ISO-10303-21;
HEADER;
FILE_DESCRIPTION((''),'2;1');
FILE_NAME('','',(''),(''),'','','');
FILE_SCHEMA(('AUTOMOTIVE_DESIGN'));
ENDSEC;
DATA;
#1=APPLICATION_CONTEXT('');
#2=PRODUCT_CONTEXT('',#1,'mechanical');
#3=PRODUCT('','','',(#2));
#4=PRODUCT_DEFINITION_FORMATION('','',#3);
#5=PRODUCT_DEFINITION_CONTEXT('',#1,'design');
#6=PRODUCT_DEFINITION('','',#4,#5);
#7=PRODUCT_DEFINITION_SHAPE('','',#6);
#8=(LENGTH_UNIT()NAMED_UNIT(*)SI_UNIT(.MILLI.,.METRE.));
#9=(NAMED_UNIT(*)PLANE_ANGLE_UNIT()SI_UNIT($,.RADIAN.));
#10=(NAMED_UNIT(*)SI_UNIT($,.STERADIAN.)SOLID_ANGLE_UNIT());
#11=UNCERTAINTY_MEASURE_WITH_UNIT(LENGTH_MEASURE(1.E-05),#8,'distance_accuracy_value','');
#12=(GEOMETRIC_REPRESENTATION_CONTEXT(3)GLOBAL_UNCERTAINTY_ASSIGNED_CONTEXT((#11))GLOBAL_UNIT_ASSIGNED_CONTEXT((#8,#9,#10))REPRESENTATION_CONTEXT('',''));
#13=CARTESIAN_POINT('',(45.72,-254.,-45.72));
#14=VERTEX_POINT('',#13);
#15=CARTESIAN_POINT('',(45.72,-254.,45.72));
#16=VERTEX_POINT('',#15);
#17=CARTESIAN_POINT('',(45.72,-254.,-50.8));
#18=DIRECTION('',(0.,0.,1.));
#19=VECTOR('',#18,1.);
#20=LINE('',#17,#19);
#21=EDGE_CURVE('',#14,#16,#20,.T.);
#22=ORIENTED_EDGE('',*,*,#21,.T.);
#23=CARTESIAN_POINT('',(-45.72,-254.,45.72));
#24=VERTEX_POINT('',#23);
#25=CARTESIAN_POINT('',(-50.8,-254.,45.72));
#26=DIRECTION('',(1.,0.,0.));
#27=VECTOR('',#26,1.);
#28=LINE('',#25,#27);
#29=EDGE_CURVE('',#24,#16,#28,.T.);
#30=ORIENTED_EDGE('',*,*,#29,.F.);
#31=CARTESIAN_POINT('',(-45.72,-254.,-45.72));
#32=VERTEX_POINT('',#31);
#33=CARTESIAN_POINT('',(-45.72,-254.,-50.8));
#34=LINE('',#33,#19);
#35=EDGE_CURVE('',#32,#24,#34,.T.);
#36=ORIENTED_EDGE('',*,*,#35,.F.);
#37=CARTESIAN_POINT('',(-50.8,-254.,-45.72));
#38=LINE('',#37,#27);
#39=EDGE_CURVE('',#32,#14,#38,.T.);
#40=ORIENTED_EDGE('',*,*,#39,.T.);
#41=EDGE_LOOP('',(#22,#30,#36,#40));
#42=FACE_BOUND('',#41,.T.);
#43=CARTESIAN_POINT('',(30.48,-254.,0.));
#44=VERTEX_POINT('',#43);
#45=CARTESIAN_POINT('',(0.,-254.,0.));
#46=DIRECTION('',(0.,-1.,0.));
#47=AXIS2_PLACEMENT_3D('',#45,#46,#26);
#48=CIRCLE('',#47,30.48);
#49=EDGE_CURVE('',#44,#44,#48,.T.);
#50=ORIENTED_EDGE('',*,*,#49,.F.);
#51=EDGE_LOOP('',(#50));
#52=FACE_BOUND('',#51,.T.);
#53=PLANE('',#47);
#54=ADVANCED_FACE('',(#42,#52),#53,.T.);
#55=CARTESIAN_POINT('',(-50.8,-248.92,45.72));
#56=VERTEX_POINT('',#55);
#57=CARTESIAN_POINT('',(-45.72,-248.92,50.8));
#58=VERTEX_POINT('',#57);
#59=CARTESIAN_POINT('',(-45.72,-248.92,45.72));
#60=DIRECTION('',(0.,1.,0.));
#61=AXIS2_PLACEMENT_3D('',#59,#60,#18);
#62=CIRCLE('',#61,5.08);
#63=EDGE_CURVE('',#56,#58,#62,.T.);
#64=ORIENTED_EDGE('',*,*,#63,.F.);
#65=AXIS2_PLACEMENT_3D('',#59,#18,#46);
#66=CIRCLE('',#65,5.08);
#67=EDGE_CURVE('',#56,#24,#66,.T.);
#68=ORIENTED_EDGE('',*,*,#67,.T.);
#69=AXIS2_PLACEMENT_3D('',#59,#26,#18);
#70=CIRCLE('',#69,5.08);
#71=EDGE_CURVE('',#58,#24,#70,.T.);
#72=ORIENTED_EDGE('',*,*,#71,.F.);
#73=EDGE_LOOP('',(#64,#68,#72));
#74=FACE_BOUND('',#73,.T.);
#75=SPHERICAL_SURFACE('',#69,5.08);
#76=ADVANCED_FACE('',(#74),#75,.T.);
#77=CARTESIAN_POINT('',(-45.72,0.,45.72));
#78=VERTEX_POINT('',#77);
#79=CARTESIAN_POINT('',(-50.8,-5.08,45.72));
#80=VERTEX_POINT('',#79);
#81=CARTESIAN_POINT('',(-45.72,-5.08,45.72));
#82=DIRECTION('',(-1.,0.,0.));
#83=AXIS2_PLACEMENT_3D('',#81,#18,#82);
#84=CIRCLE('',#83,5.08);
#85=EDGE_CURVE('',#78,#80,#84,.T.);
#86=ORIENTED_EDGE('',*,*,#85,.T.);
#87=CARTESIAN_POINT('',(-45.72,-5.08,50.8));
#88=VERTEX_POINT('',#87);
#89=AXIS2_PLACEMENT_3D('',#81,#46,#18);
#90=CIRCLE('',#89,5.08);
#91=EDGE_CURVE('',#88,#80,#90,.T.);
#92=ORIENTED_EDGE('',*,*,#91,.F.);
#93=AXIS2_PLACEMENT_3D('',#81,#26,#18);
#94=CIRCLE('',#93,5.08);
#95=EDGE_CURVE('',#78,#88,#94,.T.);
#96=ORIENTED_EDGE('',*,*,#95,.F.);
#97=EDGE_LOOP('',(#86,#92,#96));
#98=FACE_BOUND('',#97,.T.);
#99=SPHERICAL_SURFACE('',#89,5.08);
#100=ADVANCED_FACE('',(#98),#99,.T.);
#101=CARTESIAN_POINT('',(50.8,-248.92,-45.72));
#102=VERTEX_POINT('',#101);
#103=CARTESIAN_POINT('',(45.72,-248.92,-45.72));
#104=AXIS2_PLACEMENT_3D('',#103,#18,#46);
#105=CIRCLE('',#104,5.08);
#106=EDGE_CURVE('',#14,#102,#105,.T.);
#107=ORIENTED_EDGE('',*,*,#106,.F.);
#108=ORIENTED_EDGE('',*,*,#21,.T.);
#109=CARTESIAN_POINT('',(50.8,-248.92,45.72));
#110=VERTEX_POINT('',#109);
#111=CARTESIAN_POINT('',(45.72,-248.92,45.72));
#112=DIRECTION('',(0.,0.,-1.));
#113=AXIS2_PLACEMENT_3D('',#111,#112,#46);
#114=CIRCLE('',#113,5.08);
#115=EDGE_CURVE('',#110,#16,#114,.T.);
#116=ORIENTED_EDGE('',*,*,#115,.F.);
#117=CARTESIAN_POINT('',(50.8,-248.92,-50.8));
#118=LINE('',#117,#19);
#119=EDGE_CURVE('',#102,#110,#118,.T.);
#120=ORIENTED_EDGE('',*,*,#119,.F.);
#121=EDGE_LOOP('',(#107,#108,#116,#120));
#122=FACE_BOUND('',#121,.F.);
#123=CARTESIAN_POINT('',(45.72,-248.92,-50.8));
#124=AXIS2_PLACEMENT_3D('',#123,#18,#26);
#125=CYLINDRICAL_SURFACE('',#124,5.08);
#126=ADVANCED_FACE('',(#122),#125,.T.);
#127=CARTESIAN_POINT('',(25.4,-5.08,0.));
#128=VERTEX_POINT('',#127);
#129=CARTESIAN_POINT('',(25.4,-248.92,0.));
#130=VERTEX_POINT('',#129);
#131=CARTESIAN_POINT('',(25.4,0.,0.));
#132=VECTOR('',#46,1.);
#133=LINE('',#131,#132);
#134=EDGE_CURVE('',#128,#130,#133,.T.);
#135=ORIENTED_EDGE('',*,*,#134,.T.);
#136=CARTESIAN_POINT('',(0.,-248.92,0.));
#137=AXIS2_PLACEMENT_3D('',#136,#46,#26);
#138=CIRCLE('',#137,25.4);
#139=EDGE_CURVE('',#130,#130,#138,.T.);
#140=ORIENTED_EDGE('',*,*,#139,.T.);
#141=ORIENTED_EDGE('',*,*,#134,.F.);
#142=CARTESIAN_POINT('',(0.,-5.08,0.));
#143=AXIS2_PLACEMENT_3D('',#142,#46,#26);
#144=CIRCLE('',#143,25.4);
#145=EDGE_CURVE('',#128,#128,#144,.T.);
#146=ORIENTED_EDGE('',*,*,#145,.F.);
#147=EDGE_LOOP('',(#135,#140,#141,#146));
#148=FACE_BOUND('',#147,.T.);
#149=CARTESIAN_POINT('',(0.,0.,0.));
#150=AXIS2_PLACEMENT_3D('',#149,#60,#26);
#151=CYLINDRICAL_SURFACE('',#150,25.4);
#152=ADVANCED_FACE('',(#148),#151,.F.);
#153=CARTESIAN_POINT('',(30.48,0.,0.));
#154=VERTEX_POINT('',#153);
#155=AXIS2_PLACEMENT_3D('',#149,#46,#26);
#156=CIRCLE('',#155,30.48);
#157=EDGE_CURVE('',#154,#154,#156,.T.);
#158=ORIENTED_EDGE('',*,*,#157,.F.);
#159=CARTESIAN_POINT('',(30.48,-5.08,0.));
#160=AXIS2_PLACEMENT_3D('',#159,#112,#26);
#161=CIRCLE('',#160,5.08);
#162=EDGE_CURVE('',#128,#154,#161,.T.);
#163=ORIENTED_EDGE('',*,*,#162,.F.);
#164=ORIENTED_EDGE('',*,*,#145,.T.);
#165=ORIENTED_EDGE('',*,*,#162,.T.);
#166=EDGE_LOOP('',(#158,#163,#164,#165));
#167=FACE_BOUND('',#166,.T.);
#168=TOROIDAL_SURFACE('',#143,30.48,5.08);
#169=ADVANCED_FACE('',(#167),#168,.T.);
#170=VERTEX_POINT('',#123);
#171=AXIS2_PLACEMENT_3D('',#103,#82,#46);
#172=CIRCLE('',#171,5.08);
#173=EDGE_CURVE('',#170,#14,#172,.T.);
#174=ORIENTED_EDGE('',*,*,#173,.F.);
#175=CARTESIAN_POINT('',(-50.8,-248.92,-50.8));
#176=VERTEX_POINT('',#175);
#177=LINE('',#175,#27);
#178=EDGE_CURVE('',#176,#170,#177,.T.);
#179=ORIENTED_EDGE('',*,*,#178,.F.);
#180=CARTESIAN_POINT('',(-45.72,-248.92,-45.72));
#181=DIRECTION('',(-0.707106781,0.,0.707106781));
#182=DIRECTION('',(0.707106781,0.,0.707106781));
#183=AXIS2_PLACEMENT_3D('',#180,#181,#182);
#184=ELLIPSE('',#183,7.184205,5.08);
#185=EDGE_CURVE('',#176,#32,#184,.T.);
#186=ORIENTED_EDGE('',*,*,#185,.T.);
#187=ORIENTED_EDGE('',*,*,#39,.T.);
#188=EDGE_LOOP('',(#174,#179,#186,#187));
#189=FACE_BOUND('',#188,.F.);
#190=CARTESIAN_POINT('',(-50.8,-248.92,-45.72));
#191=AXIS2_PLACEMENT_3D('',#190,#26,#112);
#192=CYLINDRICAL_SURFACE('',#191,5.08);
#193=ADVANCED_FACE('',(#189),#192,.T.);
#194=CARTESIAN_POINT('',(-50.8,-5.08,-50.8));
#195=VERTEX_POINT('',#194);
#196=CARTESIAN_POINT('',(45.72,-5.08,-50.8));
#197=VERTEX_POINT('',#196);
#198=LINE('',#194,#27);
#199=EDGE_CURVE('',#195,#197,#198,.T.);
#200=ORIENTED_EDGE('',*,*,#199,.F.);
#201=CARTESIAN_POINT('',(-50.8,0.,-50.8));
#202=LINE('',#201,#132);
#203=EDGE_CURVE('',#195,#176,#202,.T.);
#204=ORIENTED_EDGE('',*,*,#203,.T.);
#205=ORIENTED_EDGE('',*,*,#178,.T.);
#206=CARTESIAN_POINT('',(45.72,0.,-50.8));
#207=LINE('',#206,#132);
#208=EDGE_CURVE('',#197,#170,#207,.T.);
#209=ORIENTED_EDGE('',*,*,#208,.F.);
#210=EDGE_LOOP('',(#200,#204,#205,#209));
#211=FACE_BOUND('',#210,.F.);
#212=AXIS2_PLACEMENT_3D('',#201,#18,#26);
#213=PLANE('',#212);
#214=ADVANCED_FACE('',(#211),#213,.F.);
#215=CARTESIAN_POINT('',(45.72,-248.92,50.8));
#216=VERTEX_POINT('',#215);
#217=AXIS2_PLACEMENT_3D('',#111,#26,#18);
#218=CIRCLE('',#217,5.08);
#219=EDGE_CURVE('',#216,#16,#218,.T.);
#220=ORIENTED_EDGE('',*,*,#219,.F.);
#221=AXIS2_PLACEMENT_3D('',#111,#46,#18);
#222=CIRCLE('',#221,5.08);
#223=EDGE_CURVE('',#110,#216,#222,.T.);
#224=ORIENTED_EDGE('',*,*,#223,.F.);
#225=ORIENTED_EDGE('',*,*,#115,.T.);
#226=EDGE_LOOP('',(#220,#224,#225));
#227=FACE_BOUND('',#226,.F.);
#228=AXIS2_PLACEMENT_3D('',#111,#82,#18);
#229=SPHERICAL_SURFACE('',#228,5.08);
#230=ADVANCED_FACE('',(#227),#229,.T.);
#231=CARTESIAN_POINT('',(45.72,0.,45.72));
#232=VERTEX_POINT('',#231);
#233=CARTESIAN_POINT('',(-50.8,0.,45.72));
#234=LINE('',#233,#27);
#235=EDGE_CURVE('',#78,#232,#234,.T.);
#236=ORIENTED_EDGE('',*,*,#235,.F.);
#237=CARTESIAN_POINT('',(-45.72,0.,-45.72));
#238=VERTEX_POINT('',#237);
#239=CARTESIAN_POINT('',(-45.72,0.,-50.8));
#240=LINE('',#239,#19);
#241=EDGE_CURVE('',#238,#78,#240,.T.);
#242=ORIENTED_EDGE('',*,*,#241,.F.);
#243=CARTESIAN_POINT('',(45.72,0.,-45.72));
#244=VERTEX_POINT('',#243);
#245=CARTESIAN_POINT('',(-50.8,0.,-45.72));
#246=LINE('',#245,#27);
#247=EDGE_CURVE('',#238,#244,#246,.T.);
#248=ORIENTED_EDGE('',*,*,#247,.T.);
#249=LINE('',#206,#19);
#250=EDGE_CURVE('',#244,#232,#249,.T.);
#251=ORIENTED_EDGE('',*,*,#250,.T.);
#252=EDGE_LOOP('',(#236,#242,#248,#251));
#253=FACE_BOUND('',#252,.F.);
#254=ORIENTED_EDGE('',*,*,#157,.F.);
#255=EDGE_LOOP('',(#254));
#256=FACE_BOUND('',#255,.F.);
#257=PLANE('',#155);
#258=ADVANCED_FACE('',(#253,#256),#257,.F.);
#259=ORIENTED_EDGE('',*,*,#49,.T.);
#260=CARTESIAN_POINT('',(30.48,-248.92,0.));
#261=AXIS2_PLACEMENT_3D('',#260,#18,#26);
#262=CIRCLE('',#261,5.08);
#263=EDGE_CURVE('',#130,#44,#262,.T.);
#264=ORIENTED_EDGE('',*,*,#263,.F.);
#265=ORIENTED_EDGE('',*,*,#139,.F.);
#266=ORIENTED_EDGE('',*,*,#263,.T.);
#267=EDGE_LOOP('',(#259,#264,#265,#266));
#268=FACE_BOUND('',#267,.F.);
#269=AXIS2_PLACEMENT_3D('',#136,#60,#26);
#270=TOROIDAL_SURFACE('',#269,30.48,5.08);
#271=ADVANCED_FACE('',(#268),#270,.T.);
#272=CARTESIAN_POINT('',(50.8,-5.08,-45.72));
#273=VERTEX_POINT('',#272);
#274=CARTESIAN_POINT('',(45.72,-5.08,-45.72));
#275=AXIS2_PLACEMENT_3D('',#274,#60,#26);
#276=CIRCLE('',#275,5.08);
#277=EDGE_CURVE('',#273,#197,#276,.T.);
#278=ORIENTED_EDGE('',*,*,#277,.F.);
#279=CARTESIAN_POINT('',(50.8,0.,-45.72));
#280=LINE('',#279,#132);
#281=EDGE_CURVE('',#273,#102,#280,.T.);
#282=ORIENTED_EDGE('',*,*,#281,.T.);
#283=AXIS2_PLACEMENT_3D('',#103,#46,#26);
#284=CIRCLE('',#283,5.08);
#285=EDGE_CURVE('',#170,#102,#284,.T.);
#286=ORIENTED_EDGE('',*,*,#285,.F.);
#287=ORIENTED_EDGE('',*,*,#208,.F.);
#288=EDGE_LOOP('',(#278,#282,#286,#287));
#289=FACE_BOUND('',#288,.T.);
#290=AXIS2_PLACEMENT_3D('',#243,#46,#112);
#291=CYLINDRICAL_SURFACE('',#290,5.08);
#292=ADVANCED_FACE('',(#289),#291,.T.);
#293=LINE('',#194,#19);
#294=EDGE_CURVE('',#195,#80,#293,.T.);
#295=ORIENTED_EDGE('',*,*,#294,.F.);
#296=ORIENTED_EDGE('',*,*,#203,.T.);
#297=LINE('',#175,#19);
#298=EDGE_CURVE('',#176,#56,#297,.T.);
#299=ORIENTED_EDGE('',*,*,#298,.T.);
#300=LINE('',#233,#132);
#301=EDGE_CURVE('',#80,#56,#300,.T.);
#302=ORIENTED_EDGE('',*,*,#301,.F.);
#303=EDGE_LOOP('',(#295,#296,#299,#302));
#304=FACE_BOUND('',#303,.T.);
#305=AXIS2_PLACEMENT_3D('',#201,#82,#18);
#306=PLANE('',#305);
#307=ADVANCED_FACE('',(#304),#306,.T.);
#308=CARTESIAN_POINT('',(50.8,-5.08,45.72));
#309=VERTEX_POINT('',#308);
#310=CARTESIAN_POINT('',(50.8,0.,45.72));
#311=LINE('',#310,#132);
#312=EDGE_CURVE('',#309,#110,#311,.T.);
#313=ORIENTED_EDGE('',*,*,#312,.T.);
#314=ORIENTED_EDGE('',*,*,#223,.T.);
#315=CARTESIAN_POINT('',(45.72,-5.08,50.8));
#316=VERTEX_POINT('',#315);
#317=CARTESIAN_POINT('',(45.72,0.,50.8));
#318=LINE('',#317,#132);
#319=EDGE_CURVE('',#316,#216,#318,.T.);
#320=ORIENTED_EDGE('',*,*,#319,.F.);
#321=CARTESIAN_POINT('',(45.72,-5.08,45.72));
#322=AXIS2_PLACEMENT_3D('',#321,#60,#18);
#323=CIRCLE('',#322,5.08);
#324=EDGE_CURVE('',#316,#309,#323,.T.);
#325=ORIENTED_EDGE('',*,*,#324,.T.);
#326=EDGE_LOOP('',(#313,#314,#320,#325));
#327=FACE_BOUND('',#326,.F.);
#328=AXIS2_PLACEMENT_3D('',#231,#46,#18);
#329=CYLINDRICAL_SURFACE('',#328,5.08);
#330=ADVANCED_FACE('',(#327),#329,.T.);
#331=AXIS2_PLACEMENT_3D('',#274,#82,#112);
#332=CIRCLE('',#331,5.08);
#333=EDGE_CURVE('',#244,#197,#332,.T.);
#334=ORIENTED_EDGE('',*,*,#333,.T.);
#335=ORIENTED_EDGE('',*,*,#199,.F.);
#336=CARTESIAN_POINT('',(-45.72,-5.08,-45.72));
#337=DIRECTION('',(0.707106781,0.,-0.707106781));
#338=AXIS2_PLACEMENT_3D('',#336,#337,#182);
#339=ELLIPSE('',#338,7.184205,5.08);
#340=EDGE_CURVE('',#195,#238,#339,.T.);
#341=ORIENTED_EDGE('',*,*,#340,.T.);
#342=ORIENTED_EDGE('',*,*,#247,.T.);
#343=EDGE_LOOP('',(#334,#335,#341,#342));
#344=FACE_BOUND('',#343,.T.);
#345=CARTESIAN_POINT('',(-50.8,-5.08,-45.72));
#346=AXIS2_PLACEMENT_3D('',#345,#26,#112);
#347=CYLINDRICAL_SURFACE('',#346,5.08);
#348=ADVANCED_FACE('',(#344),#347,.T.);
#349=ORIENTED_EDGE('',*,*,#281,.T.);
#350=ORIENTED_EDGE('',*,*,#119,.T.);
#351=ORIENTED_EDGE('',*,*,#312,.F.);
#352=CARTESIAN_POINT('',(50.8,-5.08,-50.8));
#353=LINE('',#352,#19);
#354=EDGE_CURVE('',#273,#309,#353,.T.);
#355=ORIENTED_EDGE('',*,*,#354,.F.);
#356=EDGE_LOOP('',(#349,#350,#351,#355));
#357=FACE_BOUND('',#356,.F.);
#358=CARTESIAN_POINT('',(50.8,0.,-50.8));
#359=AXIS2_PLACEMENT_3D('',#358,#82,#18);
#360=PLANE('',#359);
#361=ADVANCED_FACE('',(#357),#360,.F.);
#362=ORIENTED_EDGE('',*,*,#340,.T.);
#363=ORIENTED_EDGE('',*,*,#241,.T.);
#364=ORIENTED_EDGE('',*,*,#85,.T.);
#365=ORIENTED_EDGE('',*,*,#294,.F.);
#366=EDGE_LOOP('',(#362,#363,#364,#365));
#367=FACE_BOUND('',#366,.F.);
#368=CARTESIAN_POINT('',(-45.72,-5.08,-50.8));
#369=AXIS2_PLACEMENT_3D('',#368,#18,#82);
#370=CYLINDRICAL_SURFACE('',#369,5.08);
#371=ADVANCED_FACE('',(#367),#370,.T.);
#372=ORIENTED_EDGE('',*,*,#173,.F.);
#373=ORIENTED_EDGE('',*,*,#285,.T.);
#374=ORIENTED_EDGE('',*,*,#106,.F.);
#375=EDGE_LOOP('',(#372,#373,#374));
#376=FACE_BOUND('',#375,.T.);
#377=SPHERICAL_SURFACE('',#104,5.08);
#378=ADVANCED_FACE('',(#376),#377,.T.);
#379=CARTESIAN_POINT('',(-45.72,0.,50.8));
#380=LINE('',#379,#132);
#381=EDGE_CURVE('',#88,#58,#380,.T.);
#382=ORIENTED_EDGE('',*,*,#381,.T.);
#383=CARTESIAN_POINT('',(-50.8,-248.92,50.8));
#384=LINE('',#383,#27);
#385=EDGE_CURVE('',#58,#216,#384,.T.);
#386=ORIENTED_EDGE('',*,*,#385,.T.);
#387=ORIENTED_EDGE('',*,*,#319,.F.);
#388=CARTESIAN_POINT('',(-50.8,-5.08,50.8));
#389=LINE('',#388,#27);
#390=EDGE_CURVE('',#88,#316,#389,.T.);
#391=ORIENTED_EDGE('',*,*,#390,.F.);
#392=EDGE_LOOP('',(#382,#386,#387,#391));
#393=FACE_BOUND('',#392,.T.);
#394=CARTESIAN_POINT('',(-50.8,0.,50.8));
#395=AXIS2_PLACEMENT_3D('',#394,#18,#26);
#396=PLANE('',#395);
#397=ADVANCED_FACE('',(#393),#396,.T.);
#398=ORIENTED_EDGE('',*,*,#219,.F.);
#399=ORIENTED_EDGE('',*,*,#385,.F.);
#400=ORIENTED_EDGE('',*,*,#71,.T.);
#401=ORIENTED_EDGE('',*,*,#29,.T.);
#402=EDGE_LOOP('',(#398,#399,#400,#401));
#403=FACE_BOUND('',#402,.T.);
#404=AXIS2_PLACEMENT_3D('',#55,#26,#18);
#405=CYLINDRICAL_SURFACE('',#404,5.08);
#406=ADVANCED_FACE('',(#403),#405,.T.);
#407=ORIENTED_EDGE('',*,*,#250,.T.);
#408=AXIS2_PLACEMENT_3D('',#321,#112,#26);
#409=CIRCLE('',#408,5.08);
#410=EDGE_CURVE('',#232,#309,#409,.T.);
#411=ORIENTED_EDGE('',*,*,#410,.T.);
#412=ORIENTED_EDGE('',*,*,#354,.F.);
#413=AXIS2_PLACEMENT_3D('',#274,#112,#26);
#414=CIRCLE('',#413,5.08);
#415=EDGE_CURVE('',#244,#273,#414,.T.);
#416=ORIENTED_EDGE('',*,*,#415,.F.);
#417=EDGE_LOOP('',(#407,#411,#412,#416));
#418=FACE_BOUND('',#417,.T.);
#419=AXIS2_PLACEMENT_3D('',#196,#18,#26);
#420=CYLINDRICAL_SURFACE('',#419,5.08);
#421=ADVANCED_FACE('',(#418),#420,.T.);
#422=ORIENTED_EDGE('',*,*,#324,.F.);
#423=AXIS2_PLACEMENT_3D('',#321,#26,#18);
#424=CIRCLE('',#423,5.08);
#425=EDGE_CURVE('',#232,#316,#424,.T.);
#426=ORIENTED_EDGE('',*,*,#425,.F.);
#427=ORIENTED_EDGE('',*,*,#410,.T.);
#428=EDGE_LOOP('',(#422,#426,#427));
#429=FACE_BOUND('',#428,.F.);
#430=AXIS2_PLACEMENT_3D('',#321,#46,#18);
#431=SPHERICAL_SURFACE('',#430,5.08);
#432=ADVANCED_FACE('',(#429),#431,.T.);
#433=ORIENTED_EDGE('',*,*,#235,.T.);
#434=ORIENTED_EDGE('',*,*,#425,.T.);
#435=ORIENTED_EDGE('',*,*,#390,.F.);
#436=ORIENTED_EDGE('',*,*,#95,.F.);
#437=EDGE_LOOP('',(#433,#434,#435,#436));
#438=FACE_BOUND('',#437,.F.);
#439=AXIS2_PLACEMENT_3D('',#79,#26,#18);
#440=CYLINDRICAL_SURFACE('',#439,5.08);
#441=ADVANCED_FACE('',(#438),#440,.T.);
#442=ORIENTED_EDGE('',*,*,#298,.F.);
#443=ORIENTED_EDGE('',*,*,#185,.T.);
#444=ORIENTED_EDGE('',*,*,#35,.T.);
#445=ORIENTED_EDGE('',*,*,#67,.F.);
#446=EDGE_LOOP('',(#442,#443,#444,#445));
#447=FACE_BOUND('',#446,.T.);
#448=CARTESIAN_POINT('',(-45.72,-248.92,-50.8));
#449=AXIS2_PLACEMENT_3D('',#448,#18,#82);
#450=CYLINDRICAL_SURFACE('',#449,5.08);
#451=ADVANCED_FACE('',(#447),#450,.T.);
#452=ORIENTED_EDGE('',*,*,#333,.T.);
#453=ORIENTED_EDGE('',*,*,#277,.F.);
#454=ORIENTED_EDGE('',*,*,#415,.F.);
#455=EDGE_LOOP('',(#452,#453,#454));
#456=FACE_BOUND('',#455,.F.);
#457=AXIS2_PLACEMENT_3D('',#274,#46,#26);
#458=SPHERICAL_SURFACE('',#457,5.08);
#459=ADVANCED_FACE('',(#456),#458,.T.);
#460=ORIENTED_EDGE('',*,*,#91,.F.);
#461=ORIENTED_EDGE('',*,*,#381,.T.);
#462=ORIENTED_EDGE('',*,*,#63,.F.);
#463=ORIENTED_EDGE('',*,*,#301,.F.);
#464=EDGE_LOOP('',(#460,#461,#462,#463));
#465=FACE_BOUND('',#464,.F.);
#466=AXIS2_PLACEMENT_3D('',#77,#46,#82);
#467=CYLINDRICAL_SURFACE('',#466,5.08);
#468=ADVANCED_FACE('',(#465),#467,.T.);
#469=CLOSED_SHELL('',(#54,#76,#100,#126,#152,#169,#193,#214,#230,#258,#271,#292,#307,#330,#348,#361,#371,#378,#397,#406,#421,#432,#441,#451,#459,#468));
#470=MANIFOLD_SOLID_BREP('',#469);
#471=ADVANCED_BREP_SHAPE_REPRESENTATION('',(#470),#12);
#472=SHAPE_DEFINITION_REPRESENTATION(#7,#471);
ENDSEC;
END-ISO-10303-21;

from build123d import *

# Parameters (mm, degrees)
F0_W     = 101.6
F0_H     = 101.6
F0_R     = 25.4
F1_DEPTH = 254
F2_R     = 5.08


with BuildPart() as f1:
    # F0 (on Front) → F1 (new body)
    with BuildSketch(Plane.XZ):
        Rectangle(F0_W, F0_H)
        Circle(F0_R, mode=Mode.SUBTRACT)
    extrude(amount=F1_DEPTH)

    # F2
    f2_edges = [f1.edges().sort_by_distance(p)[0] for p in [
        (0, -254, 50.8),
        (50.8, -127, 50.8),
        (-50.8, -127, 50.8),
        (0, 0, 50.8),
        (50.8, -254, 0),
        (-50.8, -254, 0),
        (0, -254, -50.8),
        (-25.4, -254, 0),
        (50.8, -127, -50.8),
        (50.8, 0, 0),
        (-50.8, 0, 0),
        (0, 0, -50.8),
        (-25.4, 0, 0),
    ]]
    fillet(f2_edges, radius=F2_R)


solid = f1.part
